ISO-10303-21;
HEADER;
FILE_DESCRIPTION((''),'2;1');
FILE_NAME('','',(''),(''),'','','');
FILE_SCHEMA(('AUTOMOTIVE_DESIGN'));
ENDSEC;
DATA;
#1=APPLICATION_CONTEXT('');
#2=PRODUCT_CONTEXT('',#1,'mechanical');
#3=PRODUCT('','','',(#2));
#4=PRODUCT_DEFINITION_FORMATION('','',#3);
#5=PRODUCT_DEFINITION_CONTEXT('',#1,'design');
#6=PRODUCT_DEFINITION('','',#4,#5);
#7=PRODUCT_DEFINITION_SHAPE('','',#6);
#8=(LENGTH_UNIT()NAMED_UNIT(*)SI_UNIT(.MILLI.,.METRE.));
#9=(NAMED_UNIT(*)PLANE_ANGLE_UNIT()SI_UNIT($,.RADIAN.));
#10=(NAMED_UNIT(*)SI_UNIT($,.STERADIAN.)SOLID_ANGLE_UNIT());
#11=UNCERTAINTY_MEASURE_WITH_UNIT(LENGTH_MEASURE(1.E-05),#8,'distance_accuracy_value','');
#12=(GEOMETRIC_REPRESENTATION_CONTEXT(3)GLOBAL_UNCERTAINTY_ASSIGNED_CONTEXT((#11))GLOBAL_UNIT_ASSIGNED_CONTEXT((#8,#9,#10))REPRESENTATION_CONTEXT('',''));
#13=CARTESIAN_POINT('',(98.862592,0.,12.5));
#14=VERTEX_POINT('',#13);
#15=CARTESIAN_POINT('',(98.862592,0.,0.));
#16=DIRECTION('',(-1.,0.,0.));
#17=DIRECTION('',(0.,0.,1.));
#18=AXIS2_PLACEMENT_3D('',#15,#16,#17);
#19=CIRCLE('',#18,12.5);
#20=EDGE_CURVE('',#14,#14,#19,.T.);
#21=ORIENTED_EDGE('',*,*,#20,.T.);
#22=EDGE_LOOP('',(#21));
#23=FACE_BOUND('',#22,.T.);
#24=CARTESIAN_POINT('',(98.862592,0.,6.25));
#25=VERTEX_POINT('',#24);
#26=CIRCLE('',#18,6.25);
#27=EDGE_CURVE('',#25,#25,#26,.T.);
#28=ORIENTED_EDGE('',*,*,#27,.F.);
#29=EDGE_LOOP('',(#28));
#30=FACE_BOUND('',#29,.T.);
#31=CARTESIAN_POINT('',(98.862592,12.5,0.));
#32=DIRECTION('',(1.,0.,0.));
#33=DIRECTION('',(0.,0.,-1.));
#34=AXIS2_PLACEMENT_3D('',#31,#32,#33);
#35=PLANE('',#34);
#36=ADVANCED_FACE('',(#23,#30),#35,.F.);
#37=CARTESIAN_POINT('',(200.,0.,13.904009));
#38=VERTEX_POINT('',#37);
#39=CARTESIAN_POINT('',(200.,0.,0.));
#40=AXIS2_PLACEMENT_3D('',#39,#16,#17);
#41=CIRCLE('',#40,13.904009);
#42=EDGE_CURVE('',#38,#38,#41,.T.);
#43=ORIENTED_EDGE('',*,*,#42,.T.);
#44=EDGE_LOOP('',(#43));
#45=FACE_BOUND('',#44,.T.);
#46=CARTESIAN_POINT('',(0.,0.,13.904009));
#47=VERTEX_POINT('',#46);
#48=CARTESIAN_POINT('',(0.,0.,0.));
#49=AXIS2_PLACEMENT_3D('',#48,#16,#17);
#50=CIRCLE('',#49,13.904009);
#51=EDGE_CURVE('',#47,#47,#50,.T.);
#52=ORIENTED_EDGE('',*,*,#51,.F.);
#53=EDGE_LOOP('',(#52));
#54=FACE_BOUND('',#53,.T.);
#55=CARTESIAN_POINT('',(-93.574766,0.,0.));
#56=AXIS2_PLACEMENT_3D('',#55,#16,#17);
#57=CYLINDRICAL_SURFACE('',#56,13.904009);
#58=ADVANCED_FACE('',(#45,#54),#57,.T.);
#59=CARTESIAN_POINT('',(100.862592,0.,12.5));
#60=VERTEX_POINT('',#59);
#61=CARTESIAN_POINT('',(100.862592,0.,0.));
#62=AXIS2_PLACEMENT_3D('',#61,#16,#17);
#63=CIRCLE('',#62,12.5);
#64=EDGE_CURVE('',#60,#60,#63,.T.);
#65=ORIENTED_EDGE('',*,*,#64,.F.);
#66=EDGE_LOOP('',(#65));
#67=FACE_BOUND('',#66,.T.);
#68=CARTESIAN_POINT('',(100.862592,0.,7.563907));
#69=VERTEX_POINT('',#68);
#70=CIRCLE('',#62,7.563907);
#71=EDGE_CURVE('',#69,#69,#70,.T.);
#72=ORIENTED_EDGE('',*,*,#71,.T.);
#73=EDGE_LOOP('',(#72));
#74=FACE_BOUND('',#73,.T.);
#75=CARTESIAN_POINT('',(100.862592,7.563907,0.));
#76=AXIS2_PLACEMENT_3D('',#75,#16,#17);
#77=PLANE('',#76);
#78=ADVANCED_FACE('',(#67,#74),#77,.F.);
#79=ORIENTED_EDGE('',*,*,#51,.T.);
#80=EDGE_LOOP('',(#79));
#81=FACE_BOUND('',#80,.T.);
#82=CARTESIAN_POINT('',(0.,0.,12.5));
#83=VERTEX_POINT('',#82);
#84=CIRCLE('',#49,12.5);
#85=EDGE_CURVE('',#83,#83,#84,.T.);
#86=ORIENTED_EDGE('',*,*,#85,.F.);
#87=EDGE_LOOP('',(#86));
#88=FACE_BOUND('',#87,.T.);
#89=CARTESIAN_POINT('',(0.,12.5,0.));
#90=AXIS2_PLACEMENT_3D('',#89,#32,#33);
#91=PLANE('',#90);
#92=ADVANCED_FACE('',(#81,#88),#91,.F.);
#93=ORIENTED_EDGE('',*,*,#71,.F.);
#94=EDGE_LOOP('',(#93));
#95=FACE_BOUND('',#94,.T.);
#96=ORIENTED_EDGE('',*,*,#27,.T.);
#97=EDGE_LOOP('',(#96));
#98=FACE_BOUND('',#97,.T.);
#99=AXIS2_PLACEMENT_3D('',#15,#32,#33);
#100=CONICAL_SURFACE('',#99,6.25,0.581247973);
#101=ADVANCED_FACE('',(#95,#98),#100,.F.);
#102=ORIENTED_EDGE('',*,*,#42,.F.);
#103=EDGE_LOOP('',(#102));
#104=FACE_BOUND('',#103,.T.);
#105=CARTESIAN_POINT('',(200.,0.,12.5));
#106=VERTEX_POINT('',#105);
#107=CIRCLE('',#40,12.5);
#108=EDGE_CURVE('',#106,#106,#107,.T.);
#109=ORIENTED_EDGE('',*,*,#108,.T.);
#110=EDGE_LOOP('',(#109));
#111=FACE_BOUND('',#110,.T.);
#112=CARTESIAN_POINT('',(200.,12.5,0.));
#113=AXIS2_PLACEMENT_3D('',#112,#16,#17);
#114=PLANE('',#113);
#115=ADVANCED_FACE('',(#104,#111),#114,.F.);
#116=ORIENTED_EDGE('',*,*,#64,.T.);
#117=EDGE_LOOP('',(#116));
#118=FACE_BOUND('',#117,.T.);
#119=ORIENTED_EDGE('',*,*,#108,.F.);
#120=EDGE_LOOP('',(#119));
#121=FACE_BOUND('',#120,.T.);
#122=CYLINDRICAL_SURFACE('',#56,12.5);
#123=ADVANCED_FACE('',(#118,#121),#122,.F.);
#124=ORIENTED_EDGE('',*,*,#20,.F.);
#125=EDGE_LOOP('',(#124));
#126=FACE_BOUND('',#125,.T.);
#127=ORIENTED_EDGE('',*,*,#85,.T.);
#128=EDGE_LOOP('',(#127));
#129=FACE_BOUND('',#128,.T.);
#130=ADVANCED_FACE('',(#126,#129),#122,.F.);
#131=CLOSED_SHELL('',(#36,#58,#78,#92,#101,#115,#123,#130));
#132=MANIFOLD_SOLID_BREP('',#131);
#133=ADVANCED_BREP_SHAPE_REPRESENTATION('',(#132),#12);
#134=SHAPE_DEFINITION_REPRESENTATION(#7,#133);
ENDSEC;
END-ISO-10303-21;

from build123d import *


with BuildPart() as part:
    # Sketch1 → Revolve1 (revolve)
    with BuildSketch(Plane.XY, mode=Mode.PRIVATE) as revolve1_sk:
        Polygon((0, 12.5), (98.862591781, 12.5), (98.862591781, 6.25), (100.862591781, 7.563907138), (100.862591781, 12.5), (200, 12.5), (200, 13.904009407), (0, 13.904009407), align=None)
    revolve(revolve1_sk.sketch.rotate(Axis((-93.574766355, 0, 0), (1, 0, 0)), 90), axis=Axis((-93.574766355, 0, 0), (1, 0, 0)))


solid = part.part
